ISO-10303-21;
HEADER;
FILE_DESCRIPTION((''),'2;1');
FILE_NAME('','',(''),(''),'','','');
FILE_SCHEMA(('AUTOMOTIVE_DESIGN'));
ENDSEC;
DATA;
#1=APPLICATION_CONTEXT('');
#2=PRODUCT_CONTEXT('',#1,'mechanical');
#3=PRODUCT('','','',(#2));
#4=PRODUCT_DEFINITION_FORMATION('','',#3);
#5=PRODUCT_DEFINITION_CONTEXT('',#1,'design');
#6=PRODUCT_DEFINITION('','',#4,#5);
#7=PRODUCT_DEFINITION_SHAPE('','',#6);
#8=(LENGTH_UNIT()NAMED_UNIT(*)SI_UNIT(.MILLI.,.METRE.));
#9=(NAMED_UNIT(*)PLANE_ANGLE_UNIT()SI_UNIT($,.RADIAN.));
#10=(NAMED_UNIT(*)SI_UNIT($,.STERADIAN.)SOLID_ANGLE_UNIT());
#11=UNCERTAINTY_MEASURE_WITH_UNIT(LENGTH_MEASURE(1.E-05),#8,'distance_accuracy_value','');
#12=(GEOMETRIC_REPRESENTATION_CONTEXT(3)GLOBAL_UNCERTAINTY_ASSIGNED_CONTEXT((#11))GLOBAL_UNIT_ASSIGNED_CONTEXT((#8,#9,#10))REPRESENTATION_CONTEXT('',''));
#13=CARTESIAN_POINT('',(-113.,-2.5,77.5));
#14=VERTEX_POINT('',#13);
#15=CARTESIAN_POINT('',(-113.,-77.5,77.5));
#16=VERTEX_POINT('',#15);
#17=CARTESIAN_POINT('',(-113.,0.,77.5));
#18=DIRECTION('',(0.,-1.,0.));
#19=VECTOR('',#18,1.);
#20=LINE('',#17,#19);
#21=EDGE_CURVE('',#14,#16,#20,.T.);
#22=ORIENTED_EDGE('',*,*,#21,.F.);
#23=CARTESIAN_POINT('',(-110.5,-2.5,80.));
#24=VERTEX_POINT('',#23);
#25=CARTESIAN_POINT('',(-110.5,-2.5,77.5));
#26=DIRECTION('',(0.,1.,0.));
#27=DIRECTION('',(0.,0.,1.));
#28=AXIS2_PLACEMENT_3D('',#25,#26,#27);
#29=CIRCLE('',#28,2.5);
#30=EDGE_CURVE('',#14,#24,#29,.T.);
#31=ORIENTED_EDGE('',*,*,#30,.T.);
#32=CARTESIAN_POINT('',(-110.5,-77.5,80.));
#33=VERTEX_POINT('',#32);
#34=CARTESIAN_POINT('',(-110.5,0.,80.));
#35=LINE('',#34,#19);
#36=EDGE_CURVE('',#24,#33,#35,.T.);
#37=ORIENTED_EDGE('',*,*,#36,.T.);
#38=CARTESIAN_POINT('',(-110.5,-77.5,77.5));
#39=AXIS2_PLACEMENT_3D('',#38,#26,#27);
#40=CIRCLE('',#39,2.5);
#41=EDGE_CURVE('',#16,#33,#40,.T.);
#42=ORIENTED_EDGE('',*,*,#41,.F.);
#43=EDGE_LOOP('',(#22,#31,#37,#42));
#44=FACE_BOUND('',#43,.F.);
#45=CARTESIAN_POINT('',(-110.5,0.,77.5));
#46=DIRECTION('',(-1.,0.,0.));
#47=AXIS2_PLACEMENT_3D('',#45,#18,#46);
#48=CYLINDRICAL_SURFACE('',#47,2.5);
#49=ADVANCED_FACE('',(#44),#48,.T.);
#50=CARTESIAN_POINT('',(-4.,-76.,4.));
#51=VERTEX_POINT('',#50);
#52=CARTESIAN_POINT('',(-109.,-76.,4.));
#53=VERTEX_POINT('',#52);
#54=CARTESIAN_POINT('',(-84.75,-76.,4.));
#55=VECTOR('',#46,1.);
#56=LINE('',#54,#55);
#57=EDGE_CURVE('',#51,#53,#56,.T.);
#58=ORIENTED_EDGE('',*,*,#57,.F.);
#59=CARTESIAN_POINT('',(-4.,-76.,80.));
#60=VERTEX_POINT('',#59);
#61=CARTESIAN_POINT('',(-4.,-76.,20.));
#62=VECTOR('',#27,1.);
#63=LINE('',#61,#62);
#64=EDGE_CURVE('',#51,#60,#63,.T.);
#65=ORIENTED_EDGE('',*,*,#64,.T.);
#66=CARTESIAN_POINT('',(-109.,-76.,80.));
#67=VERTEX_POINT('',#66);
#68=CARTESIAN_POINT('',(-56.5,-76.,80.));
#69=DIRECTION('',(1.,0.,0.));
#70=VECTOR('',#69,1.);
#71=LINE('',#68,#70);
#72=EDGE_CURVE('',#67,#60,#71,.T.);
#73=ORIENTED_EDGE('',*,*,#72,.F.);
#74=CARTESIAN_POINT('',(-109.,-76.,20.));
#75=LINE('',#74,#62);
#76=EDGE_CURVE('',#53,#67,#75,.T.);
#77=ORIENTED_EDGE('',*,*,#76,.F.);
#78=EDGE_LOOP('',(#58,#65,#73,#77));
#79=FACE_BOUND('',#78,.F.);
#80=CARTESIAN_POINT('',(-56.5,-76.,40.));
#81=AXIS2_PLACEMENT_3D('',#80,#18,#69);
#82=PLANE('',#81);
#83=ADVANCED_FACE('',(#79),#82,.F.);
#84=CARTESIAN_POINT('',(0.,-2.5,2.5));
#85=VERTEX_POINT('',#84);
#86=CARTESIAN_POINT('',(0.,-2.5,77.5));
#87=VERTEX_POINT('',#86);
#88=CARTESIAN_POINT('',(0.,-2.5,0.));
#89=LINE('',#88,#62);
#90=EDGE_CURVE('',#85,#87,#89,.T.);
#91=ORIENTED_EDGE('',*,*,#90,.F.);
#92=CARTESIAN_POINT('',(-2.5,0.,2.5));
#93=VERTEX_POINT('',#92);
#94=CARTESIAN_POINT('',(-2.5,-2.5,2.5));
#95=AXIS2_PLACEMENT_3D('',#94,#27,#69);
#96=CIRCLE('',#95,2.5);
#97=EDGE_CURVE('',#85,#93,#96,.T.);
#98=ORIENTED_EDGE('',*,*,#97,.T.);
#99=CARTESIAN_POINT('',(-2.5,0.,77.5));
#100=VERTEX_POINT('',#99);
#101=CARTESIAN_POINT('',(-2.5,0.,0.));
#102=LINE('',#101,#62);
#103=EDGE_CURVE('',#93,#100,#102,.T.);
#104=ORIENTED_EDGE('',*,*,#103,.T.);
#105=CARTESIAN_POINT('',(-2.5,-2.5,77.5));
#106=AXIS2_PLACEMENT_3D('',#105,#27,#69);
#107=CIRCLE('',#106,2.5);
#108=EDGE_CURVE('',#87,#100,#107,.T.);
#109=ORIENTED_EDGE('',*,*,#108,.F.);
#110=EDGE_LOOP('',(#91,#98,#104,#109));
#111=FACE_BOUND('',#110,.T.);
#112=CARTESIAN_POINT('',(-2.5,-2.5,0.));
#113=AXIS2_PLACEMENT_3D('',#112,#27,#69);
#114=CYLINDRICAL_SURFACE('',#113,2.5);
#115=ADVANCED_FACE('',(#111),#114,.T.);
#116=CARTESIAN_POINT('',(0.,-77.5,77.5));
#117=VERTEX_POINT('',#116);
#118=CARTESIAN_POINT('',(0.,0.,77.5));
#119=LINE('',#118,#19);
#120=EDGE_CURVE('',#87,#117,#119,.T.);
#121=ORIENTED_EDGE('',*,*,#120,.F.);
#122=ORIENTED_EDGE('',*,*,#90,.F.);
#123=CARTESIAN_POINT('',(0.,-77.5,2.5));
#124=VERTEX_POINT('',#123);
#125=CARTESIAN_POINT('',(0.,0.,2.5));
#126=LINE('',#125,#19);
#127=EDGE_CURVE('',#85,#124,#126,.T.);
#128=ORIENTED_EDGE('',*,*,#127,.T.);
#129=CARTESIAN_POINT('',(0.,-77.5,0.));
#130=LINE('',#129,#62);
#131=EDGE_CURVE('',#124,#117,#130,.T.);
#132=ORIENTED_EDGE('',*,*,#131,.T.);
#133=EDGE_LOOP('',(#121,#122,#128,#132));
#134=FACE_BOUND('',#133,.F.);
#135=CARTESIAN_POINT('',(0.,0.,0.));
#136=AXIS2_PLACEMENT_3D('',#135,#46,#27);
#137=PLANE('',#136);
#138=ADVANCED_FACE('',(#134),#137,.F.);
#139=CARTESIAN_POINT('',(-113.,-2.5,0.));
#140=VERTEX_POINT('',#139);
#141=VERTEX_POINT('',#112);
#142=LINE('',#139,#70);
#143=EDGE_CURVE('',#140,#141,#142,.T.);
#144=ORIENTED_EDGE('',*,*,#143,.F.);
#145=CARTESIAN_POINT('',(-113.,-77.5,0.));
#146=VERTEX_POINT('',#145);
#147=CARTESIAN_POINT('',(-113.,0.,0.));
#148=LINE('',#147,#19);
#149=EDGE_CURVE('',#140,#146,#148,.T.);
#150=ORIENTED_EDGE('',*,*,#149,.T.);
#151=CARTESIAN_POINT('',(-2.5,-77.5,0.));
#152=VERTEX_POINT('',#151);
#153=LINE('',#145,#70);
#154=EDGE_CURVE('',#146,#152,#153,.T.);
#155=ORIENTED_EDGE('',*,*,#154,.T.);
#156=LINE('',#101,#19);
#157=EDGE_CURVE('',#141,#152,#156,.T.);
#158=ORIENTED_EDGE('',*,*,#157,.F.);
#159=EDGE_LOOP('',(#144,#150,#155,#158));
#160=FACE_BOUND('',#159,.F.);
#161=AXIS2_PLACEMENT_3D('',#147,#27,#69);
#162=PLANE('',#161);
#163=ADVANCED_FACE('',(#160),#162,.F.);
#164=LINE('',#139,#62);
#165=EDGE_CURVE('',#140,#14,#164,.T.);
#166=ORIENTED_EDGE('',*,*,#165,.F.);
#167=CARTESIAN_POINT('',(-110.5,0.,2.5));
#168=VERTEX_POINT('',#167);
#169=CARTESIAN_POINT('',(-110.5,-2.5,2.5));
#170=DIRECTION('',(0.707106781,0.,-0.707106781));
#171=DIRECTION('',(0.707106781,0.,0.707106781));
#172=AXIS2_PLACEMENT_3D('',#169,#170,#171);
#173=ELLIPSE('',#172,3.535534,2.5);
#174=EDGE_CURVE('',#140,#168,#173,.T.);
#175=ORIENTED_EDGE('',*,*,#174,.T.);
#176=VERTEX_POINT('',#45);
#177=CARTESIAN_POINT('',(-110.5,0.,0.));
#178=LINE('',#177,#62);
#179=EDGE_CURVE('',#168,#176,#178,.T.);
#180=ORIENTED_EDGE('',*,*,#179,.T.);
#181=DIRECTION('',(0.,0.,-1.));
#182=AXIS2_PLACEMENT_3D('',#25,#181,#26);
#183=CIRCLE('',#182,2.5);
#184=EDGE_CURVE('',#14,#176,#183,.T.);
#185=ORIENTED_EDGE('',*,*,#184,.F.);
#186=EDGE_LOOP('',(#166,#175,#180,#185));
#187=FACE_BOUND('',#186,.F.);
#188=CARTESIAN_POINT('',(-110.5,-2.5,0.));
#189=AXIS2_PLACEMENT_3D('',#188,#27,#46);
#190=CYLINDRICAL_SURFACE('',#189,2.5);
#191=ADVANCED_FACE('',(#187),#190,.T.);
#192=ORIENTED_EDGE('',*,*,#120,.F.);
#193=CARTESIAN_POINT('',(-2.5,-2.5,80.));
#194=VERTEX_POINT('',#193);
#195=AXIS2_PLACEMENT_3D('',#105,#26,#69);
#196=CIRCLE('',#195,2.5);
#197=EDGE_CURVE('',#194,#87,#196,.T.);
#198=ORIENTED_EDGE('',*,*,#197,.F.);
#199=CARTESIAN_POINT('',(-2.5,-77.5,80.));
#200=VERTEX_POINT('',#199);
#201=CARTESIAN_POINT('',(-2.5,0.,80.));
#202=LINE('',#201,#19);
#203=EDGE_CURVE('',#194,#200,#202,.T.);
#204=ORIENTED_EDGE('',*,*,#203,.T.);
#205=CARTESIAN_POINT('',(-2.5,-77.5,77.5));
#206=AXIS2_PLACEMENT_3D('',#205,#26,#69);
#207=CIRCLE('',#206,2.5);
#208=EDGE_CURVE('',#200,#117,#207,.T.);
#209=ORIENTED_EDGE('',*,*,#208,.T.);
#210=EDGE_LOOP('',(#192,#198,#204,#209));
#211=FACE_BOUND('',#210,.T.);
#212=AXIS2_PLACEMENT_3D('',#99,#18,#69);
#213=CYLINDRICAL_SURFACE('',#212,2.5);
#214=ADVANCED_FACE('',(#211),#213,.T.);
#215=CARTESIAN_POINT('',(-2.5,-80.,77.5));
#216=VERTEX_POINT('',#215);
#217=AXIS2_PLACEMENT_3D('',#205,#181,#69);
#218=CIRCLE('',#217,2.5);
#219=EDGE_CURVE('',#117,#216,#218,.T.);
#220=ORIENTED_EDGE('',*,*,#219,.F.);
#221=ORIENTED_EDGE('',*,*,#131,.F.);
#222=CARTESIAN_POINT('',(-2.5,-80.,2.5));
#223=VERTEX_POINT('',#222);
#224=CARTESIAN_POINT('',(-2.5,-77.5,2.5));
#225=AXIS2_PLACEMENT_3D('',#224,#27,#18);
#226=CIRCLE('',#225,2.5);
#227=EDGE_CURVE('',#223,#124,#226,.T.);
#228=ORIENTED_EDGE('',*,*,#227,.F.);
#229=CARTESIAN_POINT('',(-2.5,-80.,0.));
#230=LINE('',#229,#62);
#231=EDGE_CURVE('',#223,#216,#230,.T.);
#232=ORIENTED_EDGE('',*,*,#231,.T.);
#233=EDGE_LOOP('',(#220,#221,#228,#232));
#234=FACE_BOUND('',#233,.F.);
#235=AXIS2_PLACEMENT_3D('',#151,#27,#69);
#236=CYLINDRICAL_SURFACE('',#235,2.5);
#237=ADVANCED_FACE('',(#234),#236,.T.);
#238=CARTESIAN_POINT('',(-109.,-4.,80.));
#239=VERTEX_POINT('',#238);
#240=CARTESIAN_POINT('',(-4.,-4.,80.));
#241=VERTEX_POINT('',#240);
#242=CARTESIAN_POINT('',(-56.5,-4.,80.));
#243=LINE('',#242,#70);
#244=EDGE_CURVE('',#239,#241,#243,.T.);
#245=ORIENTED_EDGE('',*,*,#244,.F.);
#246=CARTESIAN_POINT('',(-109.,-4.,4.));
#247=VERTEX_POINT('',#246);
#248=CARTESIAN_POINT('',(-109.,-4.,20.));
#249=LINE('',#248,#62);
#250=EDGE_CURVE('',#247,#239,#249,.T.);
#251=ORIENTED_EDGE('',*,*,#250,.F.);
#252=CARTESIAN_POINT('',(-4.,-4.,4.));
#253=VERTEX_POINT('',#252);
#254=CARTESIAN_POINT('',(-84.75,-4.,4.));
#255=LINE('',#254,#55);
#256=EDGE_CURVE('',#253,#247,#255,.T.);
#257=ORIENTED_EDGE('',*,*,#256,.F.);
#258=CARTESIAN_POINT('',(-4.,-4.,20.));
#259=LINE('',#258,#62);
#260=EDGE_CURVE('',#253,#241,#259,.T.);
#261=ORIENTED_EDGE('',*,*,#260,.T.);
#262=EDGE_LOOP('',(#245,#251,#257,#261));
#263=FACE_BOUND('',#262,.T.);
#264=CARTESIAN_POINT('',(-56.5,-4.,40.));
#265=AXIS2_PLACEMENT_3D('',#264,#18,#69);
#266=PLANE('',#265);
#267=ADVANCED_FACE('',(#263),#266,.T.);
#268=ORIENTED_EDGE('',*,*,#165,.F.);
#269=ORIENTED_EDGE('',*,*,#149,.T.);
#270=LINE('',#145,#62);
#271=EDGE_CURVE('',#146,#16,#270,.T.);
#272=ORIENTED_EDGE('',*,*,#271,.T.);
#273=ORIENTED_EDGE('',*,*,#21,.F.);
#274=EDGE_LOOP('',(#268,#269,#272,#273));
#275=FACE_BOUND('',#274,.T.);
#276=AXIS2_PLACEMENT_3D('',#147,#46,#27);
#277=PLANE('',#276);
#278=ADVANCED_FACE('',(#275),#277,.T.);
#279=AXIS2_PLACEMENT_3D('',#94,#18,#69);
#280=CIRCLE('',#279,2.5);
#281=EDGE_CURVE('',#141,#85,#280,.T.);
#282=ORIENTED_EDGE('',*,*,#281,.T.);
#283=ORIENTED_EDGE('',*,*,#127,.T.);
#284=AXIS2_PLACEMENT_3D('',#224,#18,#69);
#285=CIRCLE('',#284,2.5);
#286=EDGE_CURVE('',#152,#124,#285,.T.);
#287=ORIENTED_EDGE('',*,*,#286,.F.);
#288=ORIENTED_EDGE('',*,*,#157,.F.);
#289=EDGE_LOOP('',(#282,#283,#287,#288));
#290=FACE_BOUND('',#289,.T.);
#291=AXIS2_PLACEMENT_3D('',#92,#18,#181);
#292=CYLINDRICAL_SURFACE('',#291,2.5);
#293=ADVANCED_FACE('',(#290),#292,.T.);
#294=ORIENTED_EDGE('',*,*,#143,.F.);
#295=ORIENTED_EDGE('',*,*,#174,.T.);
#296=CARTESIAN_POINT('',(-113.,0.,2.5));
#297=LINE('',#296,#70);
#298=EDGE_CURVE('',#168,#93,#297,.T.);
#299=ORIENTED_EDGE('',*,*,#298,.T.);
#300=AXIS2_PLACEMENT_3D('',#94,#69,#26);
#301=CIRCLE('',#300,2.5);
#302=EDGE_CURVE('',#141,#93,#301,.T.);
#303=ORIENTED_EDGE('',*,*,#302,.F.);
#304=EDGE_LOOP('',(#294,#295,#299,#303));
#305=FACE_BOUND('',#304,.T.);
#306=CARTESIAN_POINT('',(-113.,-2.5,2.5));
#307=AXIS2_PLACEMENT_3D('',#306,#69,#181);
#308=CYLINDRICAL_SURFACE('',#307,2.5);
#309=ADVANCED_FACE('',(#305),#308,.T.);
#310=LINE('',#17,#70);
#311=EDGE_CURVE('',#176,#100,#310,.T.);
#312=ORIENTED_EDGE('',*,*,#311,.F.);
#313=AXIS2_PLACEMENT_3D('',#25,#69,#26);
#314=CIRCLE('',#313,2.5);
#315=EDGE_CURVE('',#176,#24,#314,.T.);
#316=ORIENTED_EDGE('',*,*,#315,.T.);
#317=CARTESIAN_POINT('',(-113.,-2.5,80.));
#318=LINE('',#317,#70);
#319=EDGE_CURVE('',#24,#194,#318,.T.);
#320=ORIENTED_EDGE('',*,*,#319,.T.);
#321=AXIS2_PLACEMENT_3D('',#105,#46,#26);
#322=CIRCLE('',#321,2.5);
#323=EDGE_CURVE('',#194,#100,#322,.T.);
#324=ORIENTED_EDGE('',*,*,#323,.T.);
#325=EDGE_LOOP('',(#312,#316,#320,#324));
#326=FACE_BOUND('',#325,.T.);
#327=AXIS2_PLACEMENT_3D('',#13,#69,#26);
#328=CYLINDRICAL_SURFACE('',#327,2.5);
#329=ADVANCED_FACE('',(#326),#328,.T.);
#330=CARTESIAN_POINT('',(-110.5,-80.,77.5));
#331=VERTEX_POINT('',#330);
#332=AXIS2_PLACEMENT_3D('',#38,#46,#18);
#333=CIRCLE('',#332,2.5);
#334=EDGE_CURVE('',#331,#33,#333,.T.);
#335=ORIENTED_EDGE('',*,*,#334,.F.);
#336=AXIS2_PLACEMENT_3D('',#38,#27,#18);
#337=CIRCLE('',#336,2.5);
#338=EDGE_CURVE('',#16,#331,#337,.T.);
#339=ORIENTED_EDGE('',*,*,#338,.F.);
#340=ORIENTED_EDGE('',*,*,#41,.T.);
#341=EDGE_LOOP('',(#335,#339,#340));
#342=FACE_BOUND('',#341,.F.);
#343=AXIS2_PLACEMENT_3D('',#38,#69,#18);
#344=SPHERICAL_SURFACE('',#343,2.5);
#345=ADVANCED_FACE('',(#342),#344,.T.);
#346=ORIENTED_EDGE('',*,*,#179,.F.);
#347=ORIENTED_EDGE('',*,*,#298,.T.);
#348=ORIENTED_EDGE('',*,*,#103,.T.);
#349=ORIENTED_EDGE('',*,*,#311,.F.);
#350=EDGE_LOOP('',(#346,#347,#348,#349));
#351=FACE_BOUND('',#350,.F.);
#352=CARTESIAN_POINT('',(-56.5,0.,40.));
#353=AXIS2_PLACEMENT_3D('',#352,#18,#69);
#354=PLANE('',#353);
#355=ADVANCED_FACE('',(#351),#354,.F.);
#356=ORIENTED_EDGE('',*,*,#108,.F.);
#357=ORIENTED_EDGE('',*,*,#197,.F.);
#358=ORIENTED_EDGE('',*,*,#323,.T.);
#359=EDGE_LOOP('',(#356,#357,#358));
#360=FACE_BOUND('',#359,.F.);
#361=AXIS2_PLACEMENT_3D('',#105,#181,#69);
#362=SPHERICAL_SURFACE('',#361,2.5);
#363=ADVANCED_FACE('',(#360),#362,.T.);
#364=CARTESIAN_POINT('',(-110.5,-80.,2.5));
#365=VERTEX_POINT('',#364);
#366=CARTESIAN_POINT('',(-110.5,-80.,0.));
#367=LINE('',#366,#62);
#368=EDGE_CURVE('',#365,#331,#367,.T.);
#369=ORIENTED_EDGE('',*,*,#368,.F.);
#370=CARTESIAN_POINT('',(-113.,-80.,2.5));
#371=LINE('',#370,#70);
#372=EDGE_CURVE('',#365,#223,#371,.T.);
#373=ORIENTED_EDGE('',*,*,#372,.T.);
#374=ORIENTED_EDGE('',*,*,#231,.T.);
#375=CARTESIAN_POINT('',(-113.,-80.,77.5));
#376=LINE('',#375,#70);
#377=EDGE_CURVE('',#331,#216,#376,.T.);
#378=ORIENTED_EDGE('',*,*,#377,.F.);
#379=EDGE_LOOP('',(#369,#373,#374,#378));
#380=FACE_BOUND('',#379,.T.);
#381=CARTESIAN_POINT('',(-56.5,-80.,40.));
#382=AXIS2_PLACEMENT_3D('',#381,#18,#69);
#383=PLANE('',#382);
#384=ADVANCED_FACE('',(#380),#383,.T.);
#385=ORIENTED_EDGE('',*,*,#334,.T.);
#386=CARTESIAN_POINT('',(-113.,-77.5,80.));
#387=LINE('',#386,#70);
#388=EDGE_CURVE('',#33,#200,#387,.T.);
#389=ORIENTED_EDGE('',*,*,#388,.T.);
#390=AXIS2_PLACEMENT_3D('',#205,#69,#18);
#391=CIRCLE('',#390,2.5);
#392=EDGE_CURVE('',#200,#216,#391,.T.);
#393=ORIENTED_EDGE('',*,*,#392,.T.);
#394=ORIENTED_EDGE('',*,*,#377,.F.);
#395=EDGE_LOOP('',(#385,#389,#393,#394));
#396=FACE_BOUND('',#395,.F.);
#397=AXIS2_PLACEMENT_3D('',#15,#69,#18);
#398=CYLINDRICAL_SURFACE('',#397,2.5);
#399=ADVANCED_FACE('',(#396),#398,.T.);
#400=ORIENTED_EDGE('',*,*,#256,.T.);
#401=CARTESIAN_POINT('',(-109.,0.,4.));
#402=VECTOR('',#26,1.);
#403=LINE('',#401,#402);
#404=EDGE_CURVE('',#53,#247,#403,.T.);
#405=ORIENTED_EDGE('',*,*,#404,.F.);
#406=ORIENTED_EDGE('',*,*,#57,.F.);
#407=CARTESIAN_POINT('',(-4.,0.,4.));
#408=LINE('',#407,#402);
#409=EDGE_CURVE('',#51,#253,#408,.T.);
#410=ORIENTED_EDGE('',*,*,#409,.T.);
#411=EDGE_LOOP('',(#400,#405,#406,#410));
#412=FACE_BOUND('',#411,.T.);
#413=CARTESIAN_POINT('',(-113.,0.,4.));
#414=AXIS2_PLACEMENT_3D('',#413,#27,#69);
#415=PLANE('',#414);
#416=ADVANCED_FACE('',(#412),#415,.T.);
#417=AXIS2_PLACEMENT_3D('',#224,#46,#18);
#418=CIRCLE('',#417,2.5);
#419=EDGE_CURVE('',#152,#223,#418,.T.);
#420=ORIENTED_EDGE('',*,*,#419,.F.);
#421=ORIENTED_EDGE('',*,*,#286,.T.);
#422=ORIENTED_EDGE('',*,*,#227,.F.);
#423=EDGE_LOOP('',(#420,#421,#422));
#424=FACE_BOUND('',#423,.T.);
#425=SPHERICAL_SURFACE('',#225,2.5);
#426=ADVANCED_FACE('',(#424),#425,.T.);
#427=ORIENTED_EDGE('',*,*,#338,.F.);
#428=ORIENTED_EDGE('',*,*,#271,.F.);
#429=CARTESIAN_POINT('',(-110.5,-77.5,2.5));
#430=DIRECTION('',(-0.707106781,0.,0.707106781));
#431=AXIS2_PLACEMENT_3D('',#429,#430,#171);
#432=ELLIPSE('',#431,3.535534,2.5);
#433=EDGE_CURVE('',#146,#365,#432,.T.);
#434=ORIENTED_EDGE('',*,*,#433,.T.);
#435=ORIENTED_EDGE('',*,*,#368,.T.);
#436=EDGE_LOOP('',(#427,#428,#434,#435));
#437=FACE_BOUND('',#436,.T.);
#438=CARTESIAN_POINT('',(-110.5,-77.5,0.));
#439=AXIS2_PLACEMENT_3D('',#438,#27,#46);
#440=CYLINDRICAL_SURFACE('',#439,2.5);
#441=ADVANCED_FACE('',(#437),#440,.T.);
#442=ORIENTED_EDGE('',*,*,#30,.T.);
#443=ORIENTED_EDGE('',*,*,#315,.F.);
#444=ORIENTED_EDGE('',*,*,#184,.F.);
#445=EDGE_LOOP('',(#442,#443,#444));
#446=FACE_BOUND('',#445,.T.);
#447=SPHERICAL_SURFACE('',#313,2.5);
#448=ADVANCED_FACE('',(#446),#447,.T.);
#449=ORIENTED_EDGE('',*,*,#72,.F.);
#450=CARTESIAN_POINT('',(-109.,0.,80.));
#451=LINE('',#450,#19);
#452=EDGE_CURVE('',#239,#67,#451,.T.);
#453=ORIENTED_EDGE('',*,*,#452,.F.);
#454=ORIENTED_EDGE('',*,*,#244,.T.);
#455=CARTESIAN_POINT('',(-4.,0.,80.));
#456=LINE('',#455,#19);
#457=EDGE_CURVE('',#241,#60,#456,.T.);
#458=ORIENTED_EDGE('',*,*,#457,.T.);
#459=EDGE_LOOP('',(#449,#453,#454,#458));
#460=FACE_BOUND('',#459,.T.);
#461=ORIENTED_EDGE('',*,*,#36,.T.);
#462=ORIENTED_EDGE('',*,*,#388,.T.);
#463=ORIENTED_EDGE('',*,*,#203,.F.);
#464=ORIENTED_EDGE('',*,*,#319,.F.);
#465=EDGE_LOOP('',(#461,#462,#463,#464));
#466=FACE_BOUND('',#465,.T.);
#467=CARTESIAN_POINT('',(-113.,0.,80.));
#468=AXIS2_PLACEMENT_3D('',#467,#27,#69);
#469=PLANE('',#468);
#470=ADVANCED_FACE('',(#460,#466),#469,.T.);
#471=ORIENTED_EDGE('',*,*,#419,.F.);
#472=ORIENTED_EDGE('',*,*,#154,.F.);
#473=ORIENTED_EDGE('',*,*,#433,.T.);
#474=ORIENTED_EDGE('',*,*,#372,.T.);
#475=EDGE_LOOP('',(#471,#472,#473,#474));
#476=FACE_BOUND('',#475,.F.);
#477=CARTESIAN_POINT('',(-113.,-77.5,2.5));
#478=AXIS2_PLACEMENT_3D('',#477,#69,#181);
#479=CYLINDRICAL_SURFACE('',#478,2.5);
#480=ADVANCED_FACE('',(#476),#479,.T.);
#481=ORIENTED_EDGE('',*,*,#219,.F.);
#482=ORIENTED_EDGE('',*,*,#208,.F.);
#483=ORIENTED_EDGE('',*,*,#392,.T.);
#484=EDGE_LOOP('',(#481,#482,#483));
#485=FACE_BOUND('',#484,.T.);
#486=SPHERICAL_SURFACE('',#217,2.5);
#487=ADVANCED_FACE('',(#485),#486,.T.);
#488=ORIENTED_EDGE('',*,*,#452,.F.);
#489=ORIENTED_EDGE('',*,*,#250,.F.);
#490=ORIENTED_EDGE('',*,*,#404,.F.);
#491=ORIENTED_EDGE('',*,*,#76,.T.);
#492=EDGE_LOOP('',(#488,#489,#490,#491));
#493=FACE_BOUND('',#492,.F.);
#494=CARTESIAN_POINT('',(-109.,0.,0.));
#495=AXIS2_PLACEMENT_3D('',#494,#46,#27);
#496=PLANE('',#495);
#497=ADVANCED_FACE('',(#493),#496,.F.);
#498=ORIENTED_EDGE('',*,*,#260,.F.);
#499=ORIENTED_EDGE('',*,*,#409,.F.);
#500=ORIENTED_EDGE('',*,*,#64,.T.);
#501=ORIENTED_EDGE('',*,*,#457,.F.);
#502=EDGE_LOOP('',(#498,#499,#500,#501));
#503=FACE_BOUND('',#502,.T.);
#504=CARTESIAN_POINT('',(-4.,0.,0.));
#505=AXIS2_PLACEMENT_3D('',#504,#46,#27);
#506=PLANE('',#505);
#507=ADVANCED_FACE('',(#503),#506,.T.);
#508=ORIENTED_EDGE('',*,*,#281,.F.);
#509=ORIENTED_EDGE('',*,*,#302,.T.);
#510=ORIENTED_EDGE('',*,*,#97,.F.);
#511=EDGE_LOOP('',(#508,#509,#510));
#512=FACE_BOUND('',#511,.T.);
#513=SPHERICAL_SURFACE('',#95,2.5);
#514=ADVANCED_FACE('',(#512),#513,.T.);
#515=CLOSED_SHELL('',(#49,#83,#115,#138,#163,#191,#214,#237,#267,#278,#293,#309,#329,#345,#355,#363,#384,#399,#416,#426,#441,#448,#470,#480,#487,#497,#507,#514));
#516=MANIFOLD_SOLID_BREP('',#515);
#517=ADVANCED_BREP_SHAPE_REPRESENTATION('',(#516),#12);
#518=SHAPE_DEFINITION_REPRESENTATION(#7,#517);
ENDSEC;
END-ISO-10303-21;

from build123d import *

# Parameters (mm, degrees)
F0_W     = 113
F0_H     = 80
F1_DEPTH = 80
F2_T     = -4
F3_R     = 2.5


with BuildPart() as f1:
    # F0 (on Front) → F1 (new body)
    with BuildSketch(Plane.XZ):
        with Locations((-56.5, 40)):
            Rectangle(F0_W, F0_H)
    extrude(amount=F1_DEPTH)

    # F2
    f2_openings = [f1.faces().sort_by_distance(p)[0] for p in [
        (-56.5, -40, 80),
    ]]
    offset(amount=F2_T, openings=f2_openings)

    # F3
    f3_edges = [f1.edges().sort_by_distance(p)[0] for p in [
        (0, -80, 40),
        (0, 0, 40),
        (0, -40, 80),
        (-56.5, -80, 80),
        (-56.5, 0, 80),
        (-56.5, -80, 0),
        (0, -40, 0),
        (-56.5, 0, 0),
        (-113, -80, 40),
        (-113, 0, 40),
        (-113, -40, 80),
    ]]
    fillet(f3_edges, radius=F3_R)


solid = f1.part
